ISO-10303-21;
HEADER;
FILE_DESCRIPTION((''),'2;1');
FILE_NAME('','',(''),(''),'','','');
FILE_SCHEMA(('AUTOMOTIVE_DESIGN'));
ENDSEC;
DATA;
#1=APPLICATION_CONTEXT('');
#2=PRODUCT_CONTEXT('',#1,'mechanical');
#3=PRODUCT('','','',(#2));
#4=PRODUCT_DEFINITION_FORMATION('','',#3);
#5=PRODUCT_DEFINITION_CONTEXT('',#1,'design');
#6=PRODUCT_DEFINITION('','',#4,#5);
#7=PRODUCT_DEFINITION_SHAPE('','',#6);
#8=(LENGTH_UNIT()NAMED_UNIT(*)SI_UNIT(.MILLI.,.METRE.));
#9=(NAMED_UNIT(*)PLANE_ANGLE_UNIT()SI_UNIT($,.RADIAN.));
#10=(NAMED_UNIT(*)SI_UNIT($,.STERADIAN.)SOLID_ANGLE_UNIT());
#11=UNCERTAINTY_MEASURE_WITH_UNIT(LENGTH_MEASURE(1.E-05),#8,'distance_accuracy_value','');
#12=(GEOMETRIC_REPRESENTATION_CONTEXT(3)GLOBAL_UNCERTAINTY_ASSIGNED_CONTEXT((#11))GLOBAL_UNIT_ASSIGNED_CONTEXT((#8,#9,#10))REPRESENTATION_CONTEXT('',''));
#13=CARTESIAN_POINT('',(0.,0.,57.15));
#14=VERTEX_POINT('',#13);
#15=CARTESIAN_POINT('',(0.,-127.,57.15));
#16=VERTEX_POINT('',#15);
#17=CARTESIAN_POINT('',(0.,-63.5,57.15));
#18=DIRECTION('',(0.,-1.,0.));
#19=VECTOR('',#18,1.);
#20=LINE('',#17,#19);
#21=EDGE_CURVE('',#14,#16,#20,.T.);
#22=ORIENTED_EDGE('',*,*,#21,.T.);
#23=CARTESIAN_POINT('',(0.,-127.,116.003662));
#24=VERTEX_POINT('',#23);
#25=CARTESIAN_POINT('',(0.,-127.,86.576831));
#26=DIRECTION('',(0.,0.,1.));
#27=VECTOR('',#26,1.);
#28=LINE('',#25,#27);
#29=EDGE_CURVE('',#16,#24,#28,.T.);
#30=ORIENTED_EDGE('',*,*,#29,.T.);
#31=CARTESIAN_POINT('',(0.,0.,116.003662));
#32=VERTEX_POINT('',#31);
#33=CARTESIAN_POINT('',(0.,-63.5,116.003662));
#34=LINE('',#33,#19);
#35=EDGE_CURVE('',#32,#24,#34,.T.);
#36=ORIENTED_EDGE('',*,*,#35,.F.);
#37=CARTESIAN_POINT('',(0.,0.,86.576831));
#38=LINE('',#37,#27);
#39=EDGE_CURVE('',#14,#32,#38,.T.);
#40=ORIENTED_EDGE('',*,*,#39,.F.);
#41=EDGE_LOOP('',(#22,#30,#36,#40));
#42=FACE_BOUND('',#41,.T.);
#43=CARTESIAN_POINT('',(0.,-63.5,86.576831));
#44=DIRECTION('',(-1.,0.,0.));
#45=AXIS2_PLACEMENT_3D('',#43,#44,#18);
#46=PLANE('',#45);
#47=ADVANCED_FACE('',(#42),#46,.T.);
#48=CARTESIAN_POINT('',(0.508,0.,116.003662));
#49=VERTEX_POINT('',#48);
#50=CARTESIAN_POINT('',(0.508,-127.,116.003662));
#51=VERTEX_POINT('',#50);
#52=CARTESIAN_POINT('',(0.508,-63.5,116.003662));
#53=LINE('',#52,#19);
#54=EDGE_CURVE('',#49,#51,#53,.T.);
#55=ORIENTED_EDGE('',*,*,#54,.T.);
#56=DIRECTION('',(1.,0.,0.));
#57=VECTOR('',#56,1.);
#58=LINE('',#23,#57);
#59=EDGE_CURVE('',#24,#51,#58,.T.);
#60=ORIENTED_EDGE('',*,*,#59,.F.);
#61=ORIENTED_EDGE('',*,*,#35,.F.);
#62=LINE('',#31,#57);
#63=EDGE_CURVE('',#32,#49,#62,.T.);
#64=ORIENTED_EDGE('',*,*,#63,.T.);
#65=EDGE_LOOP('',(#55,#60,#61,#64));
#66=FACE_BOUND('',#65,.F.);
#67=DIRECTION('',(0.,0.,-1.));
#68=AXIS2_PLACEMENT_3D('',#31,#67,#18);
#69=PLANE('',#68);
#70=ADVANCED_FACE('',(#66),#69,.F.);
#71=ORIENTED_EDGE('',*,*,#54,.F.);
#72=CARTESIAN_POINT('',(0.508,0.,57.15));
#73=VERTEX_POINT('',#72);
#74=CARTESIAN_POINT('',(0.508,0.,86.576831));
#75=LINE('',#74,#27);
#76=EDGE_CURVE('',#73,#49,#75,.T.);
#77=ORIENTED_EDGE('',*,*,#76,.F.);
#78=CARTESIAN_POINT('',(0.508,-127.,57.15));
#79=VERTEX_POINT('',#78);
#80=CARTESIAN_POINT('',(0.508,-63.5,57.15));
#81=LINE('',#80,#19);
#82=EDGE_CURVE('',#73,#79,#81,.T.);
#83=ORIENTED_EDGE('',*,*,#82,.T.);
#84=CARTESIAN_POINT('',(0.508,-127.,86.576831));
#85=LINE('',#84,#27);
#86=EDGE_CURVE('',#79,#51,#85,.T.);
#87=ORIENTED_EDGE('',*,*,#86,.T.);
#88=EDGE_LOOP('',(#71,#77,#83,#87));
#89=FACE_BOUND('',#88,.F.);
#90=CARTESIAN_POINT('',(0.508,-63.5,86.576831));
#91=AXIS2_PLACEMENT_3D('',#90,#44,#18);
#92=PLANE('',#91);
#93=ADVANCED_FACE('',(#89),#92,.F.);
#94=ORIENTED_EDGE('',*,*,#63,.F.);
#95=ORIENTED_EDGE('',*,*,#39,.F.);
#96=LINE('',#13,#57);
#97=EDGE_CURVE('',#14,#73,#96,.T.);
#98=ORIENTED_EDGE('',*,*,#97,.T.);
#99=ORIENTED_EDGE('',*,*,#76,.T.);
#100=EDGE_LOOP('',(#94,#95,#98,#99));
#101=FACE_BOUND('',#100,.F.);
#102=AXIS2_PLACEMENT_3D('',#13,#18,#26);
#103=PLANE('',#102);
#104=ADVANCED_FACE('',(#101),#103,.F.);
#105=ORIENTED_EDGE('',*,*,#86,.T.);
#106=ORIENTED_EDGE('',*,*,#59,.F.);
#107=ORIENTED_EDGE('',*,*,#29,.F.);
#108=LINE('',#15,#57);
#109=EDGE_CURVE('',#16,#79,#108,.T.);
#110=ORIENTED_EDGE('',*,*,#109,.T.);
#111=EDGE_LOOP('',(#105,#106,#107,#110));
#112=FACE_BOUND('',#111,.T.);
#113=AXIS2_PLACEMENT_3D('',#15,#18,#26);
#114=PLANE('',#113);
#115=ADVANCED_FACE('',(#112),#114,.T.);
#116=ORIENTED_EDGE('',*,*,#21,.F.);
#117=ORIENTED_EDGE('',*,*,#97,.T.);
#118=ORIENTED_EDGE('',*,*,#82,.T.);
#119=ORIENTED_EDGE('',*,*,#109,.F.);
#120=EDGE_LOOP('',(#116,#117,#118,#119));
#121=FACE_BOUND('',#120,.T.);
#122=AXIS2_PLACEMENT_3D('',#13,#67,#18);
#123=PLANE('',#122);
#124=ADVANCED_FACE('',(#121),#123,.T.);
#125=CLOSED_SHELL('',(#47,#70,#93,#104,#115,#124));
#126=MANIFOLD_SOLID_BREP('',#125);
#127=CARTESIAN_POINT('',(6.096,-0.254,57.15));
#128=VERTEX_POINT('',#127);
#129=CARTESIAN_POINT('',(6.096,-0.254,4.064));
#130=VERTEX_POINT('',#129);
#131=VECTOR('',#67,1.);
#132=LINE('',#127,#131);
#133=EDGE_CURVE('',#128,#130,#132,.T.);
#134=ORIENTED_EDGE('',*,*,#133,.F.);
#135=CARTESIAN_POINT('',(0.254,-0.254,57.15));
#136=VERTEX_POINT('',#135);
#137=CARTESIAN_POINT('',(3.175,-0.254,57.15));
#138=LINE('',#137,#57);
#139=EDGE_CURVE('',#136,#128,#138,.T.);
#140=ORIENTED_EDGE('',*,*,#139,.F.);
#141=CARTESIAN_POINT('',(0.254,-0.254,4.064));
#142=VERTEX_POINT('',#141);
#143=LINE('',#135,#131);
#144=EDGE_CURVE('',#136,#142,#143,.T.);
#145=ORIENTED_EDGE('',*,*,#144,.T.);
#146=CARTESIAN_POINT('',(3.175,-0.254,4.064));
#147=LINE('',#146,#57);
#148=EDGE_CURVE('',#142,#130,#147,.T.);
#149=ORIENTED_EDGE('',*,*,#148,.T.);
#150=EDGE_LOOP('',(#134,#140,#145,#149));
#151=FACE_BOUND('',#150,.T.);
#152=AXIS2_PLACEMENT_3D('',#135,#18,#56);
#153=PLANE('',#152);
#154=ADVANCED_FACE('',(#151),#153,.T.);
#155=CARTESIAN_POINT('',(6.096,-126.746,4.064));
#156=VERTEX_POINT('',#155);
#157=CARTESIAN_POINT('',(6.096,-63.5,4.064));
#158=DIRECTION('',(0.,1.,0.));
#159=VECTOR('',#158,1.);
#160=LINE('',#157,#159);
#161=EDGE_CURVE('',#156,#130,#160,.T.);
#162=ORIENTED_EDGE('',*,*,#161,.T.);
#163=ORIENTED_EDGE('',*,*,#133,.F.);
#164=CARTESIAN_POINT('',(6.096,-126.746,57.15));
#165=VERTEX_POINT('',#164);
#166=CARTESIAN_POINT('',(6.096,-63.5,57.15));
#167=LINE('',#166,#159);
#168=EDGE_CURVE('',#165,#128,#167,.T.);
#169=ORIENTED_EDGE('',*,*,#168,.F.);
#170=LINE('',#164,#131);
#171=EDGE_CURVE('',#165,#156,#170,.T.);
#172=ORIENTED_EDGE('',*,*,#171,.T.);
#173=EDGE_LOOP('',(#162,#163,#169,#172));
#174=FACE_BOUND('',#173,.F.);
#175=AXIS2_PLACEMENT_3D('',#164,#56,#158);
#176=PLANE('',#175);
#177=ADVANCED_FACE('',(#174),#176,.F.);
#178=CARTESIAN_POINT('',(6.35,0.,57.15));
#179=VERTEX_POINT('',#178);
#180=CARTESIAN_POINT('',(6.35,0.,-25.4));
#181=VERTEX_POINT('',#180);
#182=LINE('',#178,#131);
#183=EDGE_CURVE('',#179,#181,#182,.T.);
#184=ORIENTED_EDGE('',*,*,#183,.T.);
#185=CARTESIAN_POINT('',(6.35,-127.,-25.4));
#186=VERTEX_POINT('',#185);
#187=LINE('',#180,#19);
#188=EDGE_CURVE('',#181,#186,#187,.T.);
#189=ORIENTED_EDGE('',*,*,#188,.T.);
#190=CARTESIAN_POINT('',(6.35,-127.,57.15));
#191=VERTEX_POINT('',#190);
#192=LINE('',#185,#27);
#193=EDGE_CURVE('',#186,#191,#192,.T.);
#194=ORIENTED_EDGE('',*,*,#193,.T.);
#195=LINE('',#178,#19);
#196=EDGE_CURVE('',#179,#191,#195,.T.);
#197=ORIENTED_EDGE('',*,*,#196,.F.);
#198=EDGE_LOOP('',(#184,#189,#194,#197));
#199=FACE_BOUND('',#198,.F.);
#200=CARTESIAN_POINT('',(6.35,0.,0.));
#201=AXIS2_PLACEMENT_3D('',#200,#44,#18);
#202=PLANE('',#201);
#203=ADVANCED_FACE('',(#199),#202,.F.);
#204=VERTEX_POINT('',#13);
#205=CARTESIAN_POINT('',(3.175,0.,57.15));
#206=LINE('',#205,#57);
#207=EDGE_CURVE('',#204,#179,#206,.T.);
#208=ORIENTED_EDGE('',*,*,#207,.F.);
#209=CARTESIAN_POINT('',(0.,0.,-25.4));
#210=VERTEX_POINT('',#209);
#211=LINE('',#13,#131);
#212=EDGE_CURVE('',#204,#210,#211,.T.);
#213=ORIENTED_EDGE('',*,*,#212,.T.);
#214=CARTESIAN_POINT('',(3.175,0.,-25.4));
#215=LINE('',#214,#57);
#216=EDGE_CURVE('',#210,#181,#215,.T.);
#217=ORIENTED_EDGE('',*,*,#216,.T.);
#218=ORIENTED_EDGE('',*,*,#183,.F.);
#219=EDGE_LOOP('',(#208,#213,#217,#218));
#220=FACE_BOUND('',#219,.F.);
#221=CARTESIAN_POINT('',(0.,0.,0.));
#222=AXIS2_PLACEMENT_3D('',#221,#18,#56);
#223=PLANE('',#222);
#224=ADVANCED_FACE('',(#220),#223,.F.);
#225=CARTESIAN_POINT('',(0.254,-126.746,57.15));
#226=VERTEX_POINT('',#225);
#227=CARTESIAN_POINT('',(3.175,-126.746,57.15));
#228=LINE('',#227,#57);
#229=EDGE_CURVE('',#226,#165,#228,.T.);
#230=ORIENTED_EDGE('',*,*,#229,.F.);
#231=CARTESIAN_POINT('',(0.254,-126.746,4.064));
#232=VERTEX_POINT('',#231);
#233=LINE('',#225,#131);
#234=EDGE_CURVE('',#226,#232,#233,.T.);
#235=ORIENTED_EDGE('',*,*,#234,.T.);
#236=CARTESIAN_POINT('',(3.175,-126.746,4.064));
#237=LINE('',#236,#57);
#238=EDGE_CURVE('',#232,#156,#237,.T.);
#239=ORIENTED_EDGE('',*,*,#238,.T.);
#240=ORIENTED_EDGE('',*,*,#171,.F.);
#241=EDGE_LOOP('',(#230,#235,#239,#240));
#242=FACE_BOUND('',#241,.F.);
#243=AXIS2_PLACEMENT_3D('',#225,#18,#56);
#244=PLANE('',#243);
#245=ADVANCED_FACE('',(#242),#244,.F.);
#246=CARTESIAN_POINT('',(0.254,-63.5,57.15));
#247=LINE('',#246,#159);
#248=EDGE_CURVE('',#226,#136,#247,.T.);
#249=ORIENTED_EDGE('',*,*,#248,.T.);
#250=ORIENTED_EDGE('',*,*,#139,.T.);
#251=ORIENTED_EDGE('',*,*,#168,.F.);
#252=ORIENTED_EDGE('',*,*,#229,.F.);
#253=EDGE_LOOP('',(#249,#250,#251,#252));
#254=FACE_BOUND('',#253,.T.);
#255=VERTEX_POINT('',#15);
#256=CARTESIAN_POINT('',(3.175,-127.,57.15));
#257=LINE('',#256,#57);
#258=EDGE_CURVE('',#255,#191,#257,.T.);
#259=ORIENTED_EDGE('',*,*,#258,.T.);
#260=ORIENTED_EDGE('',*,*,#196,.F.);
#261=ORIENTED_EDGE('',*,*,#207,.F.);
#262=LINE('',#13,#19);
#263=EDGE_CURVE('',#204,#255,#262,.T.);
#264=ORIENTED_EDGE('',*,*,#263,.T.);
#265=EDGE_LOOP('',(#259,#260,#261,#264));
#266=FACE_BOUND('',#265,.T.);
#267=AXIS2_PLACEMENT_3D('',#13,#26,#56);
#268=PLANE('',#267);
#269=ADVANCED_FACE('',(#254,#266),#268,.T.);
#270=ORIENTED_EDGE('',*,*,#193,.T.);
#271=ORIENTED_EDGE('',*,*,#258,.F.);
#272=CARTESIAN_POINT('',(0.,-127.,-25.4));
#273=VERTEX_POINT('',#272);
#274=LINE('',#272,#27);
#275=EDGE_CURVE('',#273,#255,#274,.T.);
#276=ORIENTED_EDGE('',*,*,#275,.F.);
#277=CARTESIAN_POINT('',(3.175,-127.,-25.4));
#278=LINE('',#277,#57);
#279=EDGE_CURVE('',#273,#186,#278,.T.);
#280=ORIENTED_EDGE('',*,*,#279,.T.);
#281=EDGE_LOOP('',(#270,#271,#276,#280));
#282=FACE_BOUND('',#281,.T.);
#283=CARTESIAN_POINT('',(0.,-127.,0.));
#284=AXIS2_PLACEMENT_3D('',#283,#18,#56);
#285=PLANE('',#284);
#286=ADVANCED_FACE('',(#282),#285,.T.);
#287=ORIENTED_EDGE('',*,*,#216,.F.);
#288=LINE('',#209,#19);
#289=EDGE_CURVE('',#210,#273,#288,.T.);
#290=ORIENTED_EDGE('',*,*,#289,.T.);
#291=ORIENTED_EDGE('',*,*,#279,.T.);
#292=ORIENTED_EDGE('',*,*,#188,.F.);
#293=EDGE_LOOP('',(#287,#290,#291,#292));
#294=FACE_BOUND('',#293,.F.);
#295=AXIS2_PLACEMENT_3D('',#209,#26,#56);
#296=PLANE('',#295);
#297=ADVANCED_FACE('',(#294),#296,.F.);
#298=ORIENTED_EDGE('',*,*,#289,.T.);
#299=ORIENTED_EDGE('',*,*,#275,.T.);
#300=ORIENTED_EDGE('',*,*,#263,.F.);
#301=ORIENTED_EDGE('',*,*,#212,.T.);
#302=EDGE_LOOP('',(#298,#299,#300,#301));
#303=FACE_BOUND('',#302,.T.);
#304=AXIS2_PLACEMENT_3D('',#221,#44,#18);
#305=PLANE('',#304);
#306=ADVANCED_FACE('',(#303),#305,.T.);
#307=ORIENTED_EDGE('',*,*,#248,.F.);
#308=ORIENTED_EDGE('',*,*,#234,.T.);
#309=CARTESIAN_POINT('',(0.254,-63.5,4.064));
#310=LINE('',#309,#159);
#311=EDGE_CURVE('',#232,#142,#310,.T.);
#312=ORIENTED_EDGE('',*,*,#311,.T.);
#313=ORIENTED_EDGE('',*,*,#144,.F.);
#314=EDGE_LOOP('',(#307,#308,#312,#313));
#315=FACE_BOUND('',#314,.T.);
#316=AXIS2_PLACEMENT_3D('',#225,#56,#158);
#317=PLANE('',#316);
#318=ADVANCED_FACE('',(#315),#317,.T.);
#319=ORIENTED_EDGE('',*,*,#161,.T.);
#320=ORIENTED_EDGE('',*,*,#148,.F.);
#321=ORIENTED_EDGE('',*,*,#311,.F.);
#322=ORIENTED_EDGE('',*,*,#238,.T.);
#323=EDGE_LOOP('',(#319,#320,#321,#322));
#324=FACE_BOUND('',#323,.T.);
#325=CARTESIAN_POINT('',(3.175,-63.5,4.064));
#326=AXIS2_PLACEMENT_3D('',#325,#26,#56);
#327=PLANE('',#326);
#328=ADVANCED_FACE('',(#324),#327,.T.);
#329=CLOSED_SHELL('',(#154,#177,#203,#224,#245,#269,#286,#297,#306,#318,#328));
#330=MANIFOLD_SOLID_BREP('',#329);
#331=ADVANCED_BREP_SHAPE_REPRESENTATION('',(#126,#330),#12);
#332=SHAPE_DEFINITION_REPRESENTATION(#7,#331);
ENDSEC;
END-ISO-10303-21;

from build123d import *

# Parameters (mm, degrees)
F0_W     = 6.35
F0_H     = 57.15
F1_DEPTH = 127
F2_W     = 5.842
F2_H     = 126.492
F3_DEPTH = 53.086
F5_DEPTH = 25.4
F6_W     = 6.35
F6_H     = 24.5786048472
F7_DEPTH = 2.54
F8_W     = 127
F8_H     = 58.8536623478
F9_DEPTH = 0.508


with BuildPart() as f1:
    # F0 (on Front) → F1 (new body)
    with BuildSketch(Plane.XZ):
        with Locations((3.175, 28.575)):
            Rectangle(F0_W, F0_H)
    extrude(amount=F1_DEPTH)


with BuildPart() as f3:
    # F2 (on face) → F3 (new body)
    with BuildSketch(Plane.XY.offset(57.15)):
        with Locations((3.175, -63.5)):
            Rectangle(F2_W, F2_H)
    extrude(amount=-F3_DEPTH)


with BuildPart() as f1_1:
    add(f1.part)

    # F4: cut F3
    add(f3.part, mode=Mode.SUBTRACT)

    # F5 (add): a face of the model
    f5_faces = [f1_1.faces().sort_by_distance(p)[0] for p in [
        (3.175, -63.5, 0),
    ]]
    extrude(f5_faces, amount=F5_DEPTH)

    # F6 (on face) → F7 (join)
    with BuildSketch(Plane(origin=(0, 0, -25.4), x_dir=(1, 0, 0), z_dir=(0, 0, -1))):
        with Locations((3.175, 63.9524813741)):
            Rectangle(F6_W, F6_H)
    extrude(amount=-F7_DEPTH)


with BuildPart() as f9:
    # F8 (on face) → F9 (new body)
    with BuildSketch(Plane(origin=(0, 0, 0), x_dir=(0, -1, 0), z_dir=(-1, 0, 0))):
        with Locations((63.5, 86.5768311739)):
            Rectangle(F8_W, F8_H)
    extrude(amount=-F9_DEPTH)


solid = Compound([f1_1.part, f9.part])
